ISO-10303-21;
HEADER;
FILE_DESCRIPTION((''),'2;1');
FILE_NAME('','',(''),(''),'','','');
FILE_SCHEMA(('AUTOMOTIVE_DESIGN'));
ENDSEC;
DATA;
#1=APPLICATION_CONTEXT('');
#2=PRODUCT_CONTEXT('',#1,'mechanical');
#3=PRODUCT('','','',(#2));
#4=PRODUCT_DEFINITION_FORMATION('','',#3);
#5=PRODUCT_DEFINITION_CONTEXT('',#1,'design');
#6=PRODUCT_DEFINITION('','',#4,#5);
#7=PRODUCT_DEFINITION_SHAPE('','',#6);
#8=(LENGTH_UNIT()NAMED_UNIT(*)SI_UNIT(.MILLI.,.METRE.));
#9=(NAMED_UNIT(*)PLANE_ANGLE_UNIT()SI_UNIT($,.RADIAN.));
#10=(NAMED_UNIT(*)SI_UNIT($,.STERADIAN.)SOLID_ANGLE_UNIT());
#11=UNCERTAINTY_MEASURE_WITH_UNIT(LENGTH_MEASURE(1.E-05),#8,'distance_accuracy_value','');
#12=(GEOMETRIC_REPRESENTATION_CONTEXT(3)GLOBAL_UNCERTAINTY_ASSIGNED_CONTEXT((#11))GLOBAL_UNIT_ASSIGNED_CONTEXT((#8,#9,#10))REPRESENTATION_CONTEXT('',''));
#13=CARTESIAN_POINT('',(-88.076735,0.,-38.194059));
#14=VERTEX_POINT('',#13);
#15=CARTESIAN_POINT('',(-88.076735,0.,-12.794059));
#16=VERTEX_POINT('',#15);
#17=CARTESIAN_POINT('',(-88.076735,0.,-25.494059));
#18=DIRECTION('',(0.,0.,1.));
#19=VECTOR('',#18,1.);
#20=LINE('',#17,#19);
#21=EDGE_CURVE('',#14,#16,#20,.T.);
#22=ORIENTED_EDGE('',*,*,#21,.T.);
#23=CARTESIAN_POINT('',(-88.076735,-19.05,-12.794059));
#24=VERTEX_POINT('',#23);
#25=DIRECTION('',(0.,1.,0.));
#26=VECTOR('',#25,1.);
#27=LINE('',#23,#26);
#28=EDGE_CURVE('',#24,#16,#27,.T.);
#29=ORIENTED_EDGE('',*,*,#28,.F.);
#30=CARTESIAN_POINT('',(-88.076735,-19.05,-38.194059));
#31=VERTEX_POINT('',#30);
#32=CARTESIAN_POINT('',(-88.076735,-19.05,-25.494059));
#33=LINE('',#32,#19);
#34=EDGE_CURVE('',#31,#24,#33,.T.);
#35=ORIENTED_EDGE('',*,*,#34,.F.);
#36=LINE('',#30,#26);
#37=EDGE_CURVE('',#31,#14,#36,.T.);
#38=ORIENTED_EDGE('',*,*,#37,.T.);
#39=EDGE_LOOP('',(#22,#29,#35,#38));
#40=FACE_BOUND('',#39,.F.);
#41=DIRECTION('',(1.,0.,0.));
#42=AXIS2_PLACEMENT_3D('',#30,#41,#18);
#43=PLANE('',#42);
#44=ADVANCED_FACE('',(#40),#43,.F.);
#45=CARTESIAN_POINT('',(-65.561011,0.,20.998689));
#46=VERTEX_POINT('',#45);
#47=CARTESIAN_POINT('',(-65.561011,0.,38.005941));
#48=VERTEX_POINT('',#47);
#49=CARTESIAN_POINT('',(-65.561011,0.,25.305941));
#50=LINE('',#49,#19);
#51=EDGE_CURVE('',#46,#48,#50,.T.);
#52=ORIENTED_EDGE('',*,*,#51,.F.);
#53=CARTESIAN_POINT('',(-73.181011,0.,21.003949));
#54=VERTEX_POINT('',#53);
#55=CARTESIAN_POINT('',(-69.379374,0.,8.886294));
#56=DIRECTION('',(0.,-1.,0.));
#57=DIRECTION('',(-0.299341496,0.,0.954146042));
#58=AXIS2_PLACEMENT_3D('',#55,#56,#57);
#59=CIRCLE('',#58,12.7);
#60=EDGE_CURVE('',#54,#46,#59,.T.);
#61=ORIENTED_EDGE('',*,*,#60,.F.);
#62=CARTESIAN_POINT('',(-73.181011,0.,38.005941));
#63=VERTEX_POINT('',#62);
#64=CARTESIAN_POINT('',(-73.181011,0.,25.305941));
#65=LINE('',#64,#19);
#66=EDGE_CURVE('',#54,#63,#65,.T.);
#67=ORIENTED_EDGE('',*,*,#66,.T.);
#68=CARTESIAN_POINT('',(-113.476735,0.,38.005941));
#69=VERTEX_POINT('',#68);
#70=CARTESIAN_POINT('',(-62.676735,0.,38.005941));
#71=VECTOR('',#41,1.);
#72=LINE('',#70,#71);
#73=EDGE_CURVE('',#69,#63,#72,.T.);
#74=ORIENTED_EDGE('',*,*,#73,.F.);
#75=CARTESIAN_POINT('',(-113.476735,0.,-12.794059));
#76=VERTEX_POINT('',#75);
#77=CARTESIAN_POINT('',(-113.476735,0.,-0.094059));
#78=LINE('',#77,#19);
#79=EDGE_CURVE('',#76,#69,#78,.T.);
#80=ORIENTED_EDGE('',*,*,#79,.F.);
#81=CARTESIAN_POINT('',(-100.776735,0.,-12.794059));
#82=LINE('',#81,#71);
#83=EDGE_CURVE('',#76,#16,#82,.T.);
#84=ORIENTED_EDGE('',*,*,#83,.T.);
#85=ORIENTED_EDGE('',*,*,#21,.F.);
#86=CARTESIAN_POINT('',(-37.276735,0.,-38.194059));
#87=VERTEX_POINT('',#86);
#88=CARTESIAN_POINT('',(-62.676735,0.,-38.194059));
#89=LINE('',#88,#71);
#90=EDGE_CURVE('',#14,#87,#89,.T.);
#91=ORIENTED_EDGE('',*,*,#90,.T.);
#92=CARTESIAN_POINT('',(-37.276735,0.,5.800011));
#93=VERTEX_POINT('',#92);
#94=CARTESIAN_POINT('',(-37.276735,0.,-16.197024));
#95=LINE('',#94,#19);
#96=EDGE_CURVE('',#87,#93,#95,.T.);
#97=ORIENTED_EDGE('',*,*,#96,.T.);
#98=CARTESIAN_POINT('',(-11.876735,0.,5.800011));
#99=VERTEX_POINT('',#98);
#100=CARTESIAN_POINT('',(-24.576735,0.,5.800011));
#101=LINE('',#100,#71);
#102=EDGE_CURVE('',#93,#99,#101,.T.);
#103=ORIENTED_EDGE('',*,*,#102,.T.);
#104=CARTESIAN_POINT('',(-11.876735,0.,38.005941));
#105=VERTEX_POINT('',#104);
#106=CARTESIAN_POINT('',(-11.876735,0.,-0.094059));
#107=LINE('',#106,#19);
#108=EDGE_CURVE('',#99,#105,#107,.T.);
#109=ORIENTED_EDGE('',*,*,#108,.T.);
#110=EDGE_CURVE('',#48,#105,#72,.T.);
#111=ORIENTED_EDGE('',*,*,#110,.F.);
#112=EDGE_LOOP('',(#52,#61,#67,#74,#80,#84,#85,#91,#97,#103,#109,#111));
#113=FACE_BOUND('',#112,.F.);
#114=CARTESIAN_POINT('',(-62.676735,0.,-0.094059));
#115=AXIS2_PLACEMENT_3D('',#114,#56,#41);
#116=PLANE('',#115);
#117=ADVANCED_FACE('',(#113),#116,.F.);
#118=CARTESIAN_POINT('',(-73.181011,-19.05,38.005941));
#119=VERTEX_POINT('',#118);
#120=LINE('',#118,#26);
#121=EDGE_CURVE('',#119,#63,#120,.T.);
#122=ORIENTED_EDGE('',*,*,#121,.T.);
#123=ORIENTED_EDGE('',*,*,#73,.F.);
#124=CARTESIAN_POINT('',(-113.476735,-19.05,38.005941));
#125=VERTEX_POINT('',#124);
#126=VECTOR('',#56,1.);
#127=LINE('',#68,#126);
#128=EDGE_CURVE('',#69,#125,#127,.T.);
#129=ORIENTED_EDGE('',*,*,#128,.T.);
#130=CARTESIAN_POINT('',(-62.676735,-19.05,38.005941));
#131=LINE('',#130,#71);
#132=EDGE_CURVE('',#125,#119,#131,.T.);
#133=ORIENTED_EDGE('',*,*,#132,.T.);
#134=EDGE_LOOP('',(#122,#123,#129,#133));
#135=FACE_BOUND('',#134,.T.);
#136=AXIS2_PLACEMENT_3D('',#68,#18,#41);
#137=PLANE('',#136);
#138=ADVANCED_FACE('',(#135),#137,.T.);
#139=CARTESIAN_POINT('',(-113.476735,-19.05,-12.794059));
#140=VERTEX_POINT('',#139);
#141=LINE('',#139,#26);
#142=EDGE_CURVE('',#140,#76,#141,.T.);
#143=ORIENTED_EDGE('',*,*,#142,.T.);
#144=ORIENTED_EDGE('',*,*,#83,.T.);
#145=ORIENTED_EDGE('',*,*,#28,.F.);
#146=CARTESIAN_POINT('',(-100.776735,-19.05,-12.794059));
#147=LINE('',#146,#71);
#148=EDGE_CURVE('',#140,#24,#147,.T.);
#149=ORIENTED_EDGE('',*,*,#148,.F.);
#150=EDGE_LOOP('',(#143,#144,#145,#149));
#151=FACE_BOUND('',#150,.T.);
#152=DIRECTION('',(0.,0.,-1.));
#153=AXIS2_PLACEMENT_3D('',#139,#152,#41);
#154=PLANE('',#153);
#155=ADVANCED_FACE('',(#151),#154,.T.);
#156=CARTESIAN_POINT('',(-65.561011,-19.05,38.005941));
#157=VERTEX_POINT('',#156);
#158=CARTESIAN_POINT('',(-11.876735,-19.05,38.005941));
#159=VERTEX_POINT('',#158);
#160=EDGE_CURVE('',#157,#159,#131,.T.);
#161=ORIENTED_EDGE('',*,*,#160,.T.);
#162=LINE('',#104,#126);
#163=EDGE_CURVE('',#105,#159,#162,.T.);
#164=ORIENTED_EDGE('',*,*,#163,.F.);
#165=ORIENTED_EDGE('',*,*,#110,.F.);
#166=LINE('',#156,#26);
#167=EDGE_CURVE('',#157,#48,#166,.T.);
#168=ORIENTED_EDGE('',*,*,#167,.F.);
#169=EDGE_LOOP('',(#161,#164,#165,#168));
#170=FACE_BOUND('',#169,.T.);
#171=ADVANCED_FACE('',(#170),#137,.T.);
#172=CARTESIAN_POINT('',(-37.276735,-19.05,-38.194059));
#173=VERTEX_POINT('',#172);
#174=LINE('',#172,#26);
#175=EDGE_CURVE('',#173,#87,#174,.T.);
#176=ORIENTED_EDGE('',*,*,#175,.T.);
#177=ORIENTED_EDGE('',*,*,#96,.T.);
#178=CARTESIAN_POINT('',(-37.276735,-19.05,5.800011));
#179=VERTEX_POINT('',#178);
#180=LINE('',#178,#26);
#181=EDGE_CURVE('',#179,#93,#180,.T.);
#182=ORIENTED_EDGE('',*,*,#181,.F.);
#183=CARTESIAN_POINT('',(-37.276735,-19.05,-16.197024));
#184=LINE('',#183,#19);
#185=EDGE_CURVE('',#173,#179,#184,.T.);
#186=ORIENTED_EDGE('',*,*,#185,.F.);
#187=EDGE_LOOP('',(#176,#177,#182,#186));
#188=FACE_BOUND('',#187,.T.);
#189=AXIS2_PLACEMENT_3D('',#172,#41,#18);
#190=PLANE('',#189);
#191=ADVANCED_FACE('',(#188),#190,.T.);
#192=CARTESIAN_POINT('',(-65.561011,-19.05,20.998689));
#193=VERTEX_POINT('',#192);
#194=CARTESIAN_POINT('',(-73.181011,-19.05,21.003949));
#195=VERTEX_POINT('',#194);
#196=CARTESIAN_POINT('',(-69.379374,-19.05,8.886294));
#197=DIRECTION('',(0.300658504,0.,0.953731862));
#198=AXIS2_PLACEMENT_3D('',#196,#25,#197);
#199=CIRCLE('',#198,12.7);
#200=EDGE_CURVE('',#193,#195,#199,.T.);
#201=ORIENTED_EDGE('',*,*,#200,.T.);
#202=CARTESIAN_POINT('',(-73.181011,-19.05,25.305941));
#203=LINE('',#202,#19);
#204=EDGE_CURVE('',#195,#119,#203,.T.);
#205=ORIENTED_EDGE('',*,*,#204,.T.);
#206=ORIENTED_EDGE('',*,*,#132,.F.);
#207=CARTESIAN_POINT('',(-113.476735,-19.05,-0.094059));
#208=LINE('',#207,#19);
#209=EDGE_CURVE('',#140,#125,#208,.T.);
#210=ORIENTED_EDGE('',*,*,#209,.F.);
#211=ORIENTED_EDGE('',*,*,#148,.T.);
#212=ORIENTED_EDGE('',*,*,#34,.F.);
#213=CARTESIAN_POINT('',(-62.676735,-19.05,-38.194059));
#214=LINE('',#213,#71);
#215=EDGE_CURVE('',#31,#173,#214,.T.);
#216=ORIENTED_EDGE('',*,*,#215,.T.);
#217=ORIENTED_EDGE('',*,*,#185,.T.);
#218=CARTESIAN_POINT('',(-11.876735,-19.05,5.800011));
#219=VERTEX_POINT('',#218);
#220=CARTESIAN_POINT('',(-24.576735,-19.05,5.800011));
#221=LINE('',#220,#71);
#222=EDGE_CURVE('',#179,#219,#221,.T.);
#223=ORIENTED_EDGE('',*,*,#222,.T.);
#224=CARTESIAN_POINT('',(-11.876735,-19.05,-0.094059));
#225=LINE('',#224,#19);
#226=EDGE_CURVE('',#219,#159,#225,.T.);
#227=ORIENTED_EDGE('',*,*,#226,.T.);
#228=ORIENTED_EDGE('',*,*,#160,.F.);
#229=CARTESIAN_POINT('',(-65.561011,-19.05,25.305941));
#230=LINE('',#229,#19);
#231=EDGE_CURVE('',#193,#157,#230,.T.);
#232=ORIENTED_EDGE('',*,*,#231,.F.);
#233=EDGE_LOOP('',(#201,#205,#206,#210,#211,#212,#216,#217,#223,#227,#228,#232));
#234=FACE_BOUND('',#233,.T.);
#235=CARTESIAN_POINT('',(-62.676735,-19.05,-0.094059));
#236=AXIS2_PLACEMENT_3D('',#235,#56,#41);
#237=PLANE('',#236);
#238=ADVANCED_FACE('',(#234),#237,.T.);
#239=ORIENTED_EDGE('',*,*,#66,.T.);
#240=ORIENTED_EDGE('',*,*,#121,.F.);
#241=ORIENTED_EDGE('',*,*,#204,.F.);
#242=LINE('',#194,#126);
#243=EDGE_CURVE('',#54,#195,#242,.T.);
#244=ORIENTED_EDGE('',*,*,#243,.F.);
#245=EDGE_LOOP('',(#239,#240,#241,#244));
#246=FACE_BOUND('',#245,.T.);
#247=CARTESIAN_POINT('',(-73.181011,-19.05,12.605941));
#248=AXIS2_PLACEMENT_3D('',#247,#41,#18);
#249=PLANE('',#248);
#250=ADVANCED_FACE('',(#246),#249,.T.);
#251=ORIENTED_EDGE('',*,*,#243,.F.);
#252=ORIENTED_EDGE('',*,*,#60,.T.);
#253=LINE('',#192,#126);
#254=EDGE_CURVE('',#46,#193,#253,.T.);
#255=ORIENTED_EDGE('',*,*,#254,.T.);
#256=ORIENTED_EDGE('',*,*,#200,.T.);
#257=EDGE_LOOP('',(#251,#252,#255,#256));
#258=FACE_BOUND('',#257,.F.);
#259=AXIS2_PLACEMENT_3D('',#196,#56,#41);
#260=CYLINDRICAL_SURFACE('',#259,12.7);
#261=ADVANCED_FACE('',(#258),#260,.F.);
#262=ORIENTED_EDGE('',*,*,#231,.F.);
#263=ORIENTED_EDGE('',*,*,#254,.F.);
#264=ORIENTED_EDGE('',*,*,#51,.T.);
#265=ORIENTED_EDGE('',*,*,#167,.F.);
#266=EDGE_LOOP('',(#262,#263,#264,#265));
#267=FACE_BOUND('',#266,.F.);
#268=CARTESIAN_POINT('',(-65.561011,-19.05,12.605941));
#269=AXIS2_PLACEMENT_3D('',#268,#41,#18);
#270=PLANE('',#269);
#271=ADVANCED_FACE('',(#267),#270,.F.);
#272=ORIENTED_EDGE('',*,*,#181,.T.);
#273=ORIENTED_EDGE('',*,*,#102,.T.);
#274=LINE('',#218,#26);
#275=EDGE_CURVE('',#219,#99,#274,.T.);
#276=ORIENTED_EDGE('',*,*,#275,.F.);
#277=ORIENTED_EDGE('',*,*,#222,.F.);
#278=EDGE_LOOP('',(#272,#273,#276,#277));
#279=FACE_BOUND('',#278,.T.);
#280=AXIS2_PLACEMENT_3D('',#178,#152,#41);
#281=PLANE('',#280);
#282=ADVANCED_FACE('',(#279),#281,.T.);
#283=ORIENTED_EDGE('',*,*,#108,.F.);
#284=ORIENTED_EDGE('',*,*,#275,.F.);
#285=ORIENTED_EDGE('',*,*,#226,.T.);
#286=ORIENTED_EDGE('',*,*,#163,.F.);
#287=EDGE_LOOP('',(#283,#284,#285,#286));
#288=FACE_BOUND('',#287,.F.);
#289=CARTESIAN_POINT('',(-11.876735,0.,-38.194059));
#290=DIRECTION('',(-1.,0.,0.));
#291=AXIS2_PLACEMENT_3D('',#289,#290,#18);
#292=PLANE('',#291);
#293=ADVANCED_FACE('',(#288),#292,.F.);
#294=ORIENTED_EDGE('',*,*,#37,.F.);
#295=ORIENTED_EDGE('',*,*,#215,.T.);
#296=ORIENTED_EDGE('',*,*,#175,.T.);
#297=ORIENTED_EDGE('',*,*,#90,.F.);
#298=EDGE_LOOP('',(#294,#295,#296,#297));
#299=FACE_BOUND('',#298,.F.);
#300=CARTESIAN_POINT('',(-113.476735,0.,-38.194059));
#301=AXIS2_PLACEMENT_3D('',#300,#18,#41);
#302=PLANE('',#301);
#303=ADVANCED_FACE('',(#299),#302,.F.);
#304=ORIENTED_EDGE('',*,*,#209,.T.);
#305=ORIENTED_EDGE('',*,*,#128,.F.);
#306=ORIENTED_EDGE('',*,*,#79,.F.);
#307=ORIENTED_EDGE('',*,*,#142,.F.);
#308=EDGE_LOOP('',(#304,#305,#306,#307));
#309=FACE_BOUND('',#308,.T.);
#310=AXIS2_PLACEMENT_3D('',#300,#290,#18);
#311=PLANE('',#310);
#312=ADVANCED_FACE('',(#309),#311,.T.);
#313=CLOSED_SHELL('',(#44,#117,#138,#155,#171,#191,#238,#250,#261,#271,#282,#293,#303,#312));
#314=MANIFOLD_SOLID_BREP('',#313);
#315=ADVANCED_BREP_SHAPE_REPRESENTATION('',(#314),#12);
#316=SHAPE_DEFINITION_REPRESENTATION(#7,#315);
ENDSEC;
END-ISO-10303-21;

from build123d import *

# Parameters (mm, degrees)
F0_W     = 101.6
F0_H     = 76.2
F1_DEPTH = 19.05
F2_W     = 25.4
F2_H     = 25.4
F3_DEPTH = 19.05
F4_W     = 25.4
F4_H     = 43.99407
F5_DEPTH = 19.05
F6_R     = 12.7
F7_DEPTH = 19.05
F8_W     = 7.62
F8_H     = 25.4
F9_DEPTH = 19.05


with BuildPart() as f1:
    # F0 (on Front) → F1 (new body)
    with BuildSketch(Plane.XZ):
        with Locations((-62.676735, -0.094059)):
            Rectangle(F0_W, F0_H)
    extrude(amount=F1_DEPTH)

    # F2 (on face) → F3 (cut)
    with BuildSketch(Plane.XZ.offset(19.05)):
        with Locations((-100.776735, -25.494059)):
            Rectangle(F2_W, F2_H)
    extrude(amount=-F3_DEPTH, mode=Mode.SUBTRACT)

    # F4 (on face) → F5 (cut)
    with BuildSketch(Plane.XZ.offset(19.05)):
        with Locations((-24.576735, -16.197024)):
            Rectangle(F4_W, F4_H)
    extrude(amount=-F5_DEPTH, mode=Mode.SUBTRACT)

    # F6 (on face) → F7 (cut)
    with BuildSketch(Plane.XZ.offset(19.05)):
        with Locations((-69.379374, 8.886294)):
            Circle(F6_R)
    extrude(amount=-F7_DEPTH, mode=Mode.SUBTRACT)

    # F8 (on face) → F9 (cut, through all)
    with BuildSketch(Plane.XZ.offset(19.05)):
        with Locations((-69.371011, 25.305941)):
            Rectangle(F8_W, F8_H)
    extrude(amount=-F9_DEPTH, mode=Mode.SUBTRACT)


solid = f1.part
